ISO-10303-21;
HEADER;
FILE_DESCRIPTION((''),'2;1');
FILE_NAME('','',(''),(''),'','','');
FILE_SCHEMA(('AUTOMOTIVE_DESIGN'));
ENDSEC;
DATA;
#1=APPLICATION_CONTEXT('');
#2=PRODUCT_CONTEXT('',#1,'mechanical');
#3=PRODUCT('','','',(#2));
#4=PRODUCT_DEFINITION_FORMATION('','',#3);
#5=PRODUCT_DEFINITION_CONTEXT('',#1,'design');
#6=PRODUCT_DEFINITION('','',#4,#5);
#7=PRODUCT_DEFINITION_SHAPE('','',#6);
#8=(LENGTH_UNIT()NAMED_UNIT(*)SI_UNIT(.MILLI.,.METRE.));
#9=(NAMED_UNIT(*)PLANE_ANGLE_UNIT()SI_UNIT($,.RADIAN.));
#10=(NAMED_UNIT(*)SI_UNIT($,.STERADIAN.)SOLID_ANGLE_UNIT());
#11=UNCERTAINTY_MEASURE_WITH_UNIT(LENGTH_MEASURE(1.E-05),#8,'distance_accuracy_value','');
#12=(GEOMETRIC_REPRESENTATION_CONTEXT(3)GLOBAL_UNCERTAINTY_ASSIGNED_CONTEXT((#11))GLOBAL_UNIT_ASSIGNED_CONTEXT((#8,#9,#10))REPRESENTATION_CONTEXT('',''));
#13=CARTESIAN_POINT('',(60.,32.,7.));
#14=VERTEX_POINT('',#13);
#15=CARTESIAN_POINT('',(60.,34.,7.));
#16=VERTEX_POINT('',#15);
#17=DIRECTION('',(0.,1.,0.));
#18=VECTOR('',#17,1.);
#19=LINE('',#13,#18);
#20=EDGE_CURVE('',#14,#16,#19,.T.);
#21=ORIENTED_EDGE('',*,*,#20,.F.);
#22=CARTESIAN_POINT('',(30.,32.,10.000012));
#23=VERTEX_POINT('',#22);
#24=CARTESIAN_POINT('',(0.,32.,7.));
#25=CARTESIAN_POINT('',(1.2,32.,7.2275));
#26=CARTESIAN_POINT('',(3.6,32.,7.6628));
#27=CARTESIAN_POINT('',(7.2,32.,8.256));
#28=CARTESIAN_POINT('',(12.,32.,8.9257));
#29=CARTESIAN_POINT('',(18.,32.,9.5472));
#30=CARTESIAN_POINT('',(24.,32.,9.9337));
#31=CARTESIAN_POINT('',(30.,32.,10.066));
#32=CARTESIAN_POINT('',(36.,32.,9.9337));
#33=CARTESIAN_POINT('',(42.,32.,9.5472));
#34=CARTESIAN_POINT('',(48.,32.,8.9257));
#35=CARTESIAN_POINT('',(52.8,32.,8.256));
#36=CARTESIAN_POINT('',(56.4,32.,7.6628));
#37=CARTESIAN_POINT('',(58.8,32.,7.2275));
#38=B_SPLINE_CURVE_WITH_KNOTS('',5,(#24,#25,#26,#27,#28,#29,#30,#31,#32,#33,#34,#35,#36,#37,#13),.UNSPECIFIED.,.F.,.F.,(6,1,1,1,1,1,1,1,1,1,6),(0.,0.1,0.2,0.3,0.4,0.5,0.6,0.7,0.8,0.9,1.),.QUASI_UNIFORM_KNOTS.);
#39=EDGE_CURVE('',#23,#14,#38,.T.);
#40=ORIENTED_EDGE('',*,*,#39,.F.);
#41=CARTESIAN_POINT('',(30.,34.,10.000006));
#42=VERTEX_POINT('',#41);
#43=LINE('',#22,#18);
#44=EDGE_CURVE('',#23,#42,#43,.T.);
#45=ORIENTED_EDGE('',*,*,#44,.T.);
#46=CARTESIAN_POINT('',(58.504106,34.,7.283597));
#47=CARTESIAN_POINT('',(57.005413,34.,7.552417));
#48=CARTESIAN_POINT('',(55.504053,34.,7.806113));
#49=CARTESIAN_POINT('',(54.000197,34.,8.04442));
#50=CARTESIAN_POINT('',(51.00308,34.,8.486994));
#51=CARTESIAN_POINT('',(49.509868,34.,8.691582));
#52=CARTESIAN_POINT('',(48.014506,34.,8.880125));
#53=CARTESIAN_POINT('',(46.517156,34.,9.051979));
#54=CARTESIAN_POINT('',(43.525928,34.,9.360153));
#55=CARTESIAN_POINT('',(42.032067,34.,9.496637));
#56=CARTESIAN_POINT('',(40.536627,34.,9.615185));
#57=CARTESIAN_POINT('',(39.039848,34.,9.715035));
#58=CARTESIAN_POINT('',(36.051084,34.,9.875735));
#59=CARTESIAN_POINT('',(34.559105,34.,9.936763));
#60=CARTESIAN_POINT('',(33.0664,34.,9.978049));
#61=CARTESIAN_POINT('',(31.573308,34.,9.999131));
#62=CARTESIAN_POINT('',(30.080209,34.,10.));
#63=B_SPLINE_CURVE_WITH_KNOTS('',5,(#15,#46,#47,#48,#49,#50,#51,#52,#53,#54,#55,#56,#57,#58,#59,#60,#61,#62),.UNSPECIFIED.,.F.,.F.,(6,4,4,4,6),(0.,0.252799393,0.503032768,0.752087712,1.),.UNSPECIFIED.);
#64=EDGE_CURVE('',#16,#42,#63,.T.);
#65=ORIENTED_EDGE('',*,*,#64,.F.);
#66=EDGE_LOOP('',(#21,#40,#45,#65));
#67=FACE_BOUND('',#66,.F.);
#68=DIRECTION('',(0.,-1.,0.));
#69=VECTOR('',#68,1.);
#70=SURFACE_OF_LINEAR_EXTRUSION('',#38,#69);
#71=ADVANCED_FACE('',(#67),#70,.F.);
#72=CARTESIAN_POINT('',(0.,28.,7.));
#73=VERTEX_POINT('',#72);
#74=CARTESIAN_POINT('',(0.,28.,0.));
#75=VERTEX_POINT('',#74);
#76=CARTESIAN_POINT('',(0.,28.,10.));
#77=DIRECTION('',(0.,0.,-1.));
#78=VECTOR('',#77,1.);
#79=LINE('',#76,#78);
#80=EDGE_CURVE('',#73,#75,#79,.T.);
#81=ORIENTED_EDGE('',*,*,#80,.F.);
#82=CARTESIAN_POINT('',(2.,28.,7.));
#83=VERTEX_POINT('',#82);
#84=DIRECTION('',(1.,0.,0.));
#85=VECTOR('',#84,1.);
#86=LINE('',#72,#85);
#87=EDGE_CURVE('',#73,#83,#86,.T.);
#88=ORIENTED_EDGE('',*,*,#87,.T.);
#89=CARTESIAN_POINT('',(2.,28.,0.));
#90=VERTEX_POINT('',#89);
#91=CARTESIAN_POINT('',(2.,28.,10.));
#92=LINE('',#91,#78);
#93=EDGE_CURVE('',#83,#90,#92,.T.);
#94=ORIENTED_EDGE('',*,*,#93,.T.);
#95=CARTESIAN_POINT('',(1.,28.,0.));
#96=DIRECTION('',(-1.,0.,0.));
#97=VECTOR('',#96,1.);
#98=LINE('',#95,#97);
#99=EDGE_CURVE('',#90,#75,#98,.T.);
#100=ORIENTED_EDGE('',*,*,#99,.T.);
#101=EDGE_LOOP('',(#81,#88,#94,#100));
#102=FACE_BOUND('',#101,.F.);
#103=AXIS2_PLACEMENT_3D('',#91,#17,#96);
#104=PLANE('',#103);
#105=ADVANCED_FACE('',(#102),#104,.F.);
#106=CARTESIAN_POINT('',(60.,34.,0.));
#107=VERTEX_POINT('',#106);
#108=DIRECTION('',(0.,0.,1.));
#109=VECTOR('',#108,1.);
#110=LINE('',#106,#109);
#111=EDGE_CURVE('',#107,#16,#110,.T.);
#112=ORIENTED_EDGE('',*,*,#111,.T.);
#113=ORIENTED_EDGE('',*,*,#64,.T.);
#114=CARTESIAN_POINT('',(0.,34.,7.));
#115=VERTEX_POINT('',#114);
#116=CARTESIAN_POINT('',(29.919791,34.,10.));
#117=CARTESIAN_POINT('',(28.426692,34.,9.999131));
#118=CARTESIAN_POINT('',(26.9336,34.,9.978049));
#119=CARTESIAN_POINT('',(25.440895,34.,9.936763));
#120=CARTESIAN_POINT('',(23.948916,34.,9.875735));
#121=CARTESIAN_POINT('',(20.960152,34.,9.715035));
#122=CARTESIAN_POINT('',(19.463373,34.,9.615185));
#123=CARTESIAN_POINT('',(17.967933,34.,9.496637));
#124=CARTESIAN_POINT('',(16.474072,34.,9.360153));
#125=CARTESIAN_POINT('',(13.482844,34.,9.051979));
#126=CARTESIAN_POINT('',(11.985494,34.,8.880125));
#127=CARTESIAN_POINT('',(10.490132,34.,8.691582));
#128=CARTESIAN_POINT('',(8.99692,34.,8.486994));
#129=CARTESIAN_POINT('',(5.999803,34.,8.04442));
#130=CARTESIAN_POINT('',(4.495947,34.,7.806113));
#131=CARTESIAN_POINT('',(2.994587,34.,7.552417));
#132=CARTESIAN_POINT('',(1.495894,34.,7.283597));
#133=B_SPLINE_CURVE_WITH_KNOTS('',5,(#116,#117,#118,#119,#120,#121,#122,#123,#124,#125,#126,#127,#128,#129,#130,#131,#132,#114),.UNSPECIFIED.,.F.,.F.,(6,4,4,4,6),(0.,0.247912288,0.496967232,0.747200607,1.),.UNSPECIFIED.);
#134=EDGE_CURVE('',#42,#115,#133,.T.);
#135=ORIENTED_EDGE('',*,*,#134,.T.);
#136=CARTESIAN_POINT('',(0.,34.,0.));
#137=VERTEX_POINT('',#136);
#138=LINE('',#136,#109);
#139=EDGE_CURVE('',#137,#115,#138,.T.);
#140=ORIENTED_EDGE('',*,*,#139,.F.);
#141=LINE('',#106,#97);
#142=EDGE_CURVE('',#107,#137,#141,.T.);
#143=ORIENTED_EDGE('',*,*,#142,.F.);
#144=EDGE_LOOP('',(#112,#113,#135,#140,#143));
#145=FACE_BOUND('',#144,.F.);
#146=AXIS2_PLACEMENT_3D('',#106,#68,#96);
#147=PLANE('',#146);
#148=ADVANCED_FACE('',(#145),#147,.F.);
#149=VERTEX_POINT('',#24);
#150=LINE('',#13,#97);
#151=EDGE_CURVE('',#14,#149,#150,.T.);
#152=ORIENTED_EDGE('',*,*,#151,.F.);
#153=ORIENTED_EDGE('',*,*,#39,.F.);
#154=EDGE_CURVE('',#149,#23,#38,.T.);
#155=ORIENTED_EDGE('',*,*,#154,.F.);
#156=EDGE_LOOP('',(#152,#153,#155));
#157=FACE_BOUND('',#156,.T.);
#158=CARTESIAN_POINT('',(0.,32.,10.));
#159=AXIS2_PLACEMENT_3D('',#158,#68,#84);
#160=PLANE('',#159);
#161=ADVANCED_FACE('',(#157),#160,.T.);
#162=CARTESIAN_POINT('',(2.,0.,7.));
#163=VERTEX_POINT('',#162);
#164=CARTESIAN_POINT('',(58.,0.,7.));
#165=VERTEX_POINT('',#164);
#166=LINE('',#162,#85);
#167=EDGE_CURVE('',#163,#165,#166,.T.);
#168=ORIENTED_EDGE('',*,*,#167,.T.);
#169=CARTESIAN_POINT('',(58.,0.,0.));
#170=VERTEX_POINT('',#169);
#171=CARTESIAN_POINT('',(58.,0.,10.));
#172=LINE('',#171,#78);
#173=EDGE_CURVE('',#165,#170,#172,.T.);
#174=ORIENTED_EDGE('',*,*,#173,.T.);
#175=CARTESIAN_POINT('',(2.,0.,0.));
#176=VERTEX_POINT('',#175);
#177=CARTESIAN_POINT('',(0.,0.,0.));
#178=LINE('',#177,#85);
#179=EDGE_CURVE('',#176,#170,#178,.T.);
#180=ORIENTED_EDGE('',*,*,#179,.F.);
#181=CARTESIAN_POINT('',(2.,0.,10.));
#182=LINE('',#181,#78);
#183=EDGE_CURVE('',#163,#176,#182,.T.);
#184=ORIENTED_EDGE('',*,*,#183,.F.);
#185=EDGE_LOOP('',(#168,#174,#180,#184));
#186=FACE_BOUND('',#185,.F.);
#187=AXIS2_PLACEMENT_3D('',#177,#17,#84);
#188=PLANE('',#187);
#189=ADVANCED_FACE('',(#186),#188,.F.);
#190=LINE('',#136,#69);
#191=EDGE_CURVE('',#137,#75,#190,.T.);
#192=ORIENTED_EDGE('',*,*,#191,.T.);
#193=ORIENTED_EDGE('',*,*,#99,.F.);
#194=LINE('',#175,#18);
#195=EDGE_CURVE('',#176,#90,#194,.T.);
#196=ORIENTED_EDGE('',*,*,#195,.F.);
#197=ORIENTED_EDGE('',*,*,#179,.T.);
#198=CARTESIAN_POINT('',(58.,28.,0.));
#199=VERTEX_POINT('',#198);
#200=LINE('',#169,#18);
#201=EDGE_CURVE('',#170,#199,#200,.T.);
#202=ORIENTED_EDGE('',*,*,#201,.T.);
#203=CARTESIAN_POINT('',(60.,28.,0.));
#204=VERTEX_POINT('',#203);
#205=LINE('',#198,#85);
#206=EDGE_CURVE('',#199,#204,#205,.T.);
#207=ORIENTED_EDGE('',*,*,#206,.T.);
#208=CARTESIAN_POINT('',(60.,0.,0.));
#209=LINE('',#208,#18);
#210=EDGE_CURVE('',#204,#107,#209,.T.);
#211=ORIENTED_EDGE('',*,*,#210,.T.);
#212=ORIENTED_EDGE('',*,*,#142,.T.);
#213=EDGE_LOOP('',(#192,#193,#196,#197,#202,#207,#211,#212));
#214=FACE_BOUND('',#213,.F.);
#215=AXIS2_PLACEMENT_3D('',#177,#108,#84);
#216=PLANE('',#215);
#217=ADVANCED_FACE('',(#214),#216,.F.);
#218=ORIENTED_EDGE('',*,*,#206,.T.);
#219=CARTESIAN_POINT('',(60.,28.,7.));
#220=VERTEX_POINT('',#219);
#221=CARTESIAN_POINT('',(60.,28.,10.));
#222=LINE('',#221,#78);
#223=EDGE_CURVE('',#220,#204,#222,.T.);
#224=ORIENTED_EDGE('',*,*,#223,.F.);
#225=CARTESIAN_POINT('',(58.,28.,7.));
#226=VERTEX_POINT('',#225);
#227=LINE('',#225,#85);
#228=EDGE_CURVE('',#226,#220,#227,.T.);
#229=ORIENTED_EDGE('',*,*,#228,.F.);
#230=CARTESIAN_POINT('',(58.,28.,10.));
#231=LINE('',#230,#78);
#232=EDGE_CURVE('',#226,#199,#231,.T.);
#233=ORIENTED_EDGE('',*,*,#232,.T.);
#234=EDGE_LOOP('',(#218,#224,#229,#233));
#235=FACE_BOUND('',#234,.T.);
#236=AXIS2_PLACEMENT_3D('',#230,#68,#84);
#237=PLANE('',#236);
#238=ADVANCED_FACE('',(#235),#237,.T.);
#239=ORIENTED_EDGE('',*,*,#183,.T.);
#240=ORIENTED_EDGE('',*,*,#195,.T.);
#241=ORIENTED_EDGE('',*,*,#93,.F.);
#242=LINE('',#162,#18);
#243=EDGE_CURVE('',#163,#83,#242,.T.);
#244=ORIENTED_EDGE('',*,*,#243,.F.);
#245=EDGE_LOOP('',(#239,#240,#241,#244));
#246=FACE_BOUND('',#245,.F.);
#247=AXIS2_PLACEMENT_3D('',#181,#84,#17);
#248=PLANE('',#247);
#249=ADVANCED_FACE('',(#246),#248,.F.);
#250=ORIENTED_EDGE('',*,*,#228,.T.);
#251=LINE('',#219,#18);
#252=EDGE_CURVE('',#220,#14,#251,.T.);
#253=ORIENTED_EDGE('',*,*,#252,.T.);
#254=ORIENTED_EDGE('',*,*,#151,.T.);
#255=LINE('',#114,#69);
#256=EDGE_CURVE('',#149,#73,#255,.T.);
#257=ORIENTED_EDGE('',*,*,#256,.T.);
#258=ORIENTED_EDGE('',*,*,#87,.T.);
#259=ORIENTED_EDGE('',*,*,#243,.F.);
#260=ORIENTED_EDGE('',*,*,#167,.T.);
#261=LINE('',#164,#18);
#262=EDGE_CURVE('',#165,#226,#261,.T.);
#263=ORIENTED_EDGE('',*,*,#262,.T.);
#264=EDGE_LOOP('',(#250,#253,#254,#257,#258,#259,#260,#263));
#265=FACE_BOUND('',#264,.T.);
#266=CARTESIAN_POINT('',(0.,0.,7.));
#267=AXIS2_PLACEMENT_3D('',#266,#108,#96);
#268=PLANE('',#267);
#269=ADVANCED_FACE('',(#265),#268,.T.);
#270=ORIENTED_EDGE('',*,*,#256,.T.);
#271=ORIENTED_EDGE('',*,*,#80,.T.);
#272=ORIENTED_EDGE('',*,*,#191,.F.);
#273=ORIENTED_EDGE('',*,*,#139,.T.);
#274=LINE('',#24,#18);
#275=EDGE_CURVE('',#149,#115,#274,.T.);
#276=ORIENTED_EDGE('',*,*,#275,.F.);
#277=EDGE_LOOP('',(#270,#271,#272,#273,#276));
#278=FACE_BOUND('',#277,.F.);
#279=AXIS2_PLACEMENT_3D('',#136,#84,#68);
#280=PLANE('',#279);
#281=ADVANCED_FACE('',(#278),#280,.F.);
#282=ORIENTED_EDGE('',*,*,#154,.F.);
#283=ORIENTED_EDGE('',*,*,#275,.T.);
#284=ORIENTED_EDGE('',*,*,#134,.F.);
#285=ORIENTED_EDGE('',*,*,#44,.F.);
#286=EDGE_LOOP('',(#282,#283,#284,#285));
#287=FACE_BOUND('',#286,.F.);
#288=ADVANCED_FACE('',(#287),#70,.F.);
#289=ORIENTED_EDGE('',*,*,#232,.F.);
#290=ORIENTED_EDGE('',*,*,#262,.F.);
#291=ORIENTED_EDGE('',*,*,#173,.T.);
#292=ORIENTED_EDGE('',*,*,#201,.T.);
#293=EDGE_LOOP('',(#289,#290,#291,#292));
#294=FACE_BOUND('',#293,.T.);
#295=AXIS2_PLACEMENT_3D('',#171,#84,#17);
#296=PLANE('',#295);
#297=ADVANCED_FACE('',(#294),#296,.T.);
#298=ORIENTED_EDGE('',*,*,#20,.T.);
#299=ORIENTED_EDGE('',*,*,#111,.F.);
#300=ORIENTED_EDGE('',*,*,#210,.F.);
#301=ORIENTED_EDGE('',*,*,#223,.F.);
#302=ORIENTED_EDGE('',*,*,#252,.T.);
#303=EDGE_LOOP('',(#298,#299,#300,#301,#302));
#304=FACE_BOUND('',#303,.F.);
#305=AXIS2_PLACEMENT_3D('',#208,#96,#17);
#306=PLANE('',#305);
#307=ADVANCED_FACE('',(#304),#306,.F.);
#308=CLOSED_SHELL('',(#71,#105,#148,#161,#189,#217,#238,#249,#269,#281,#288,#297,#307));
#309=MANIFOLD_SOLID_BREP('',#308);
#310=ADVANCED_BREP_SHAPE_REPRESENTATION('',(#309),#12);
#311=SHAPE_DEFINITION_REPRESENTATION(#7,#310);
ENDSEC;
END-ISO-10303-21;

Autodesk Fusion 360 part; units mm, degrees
sketch "スケッチ1" plane through (0, 0, 0) normal (0, 0, 1) x (1, 0, 0)
  line L0 (0, 0) -> (60, 0)
  line L1 (60, 0) -> (60, 34)
  line L2 (60, 34) -> (0, 34)
  line L3 (0, 34) -> (0, 0)
  dimension "d1" = 60
  dimension "d2" = 34
extrude "押し出し1" add sketch "スケッチ1" along normal blind 10
sketch "スケッチ2" plane through (0, 0, 10) normal (0, 0, 1) x (-1, 0, 0)
  line L0 (0, -34) -> (0, 0)
  line L1 (0, 0) -> (-60, 0)
  line L2 (-60, 0) -> (-60, -34)
  line L3 (-60, -34) -> (0, -34)
  line L4 (-60, 0) -> (-58, 0)
  line L5 (-58, 0) -> (-58, -28)
  line L6 (-58, -28) -> (-60, -28)
  line L7 (-60, -28) -> (-60, 0)
  dimension "d5" = 2
  dimension "d6" = 28
extrude "押し出し2" cut sketch "スケッチ2" against normal blind 10 contours L1 L2 L4 L5 L6 L7
sketch "スケッチ3" plane through (0, 0, 10) normal (0, 0, 1) x (-1, 0, 0)
  line L0 (-58, 0) -> (-58, -28)
  line L1 (-58, -28) -> (-60, -28)
  line L2 (-60, -28) -> (-60, -34)
  line L3 (-60, -34) -> (0, -34)
  line L4 (0, -34) -> (0, 0)
  line L5 (0, 0) -> (-58, 0)
  line L6 (0, 0) -> (-2, 0)
  line L7 (-2, 0) -> (-2, -28)
  line L8 (-2, -28) -> (0, -28)
  line L9 (0, -28) -> (0, 0)
  dimension "d9" = 2
  dimension "d10" = 28
extrude "押し出し3" cut sketch "スケッチ3" against normal blind 15 contours L4 L5 L6 L7 L8 L9
sketch "スケッチ4" plane through (0, 0, 0) normal (0, 1, 0) x (1, 0, 0)
sketch "スケッチ5" plane through (0, 0, 0) normal (0, -1, 0) x (1, 0, 0)
  line L0 (2, 10) -> (2, 0)
  line L1 (2, 0) -> (58, 0)
  line L2 (58, 0) -> (58, 10)
  line L3 (58, 10) -> (2, 10)
  line L4 (58, 10) -> (2, 10)
  line L5 (2, 10) -> (2, 7)
  line L6 (2, 7) -> (58, 7)
  line L7 (58, 7) -> (58, 10)
  dimension "d13" = 3
extrude "押し出し4" cut sketch "スケッチ5" against normal blind 32 contours L0 L2 L3 L4 L5 L6 L7
sketch "スケッチ6" plane through (0, 0, 10) normal (0, 0, 1) x (-1, 0, 0)
  line L0 (-2, -28) -> (-2, -32)
  line L1 (-2, -32) -> (-58, -32)
  line L2 (-58, -32) -> (-58, -28)
  line L3 (-58, -28) -> (-60, -28)
  line L4 (-60, -28) -> (-60, -34)
  line L5 (-60, -34) -> (0, -34)
  line L6 (0, -34) -> (0, -28)
  line L7 (0, -28) -> (-2, -28)
  line L8 (-2, -28) -> (0, -28)
  line L9 (0, -28) -> (0, -32)
  line L10 (0, -32) -> (-2, -32)
  line L11 (-2, -32) -> (-2, -28)
extrude "押し出し5" cut sketch "スケッチ6" against normal blind 3 contours L0 L6 L7 L8 L9 L10 L11
sketch "スケッチ7" plane through (0, 0, 10) normal (0, 0, 1) x (-1, 0, 0)
  line L0 (0, -32) -> (-58, -32)
  line L1 (-58, -32) -> (-58, -28)
  line L2 (-58, -28) -> (-60, -28)
  line L3 (-60, -28) -> (-60, -34)
  line L4 (-60, -34) -> (0, -34)
  line L5 (0, -34) -> (0, -32)
  line L6 (-58, -32) -> (-60, -32)
  line L7 (-60, -32) -> (-60, -28)
  line L8 (-60, -28) -> (-58, -28)
  line L9 (-58, -28) -> (-58, -32)
extrude "押し出し6" cut sketch "スケッチ7" against normal blind 3 contours L1 L2 L3 L6 L7 L8 L9
sketch "スケッチ8" plane through (0, 0, 10) normal (0, 0, 1) x (-1, 0, 0)
  line L0 (-60, -32) -> (-60, -34)
  line L1 (-60, -34) -> (0, -34)
  line L2 (0, -34) -> (0, -32)
sketch "スケッチ9" plane through (0, 0, 10) normal (0, 0, 1) x (1, 0, 0)
sketch "スケッチ10" plane through (0, 32, 0) normal (0, -1, 0) x (1, 0, 0)
  line L0 (60, 10) -> (0, 10)
  line L1 (0, 10) -> (0, 7)
  line L2 (0, 7) -> (60, 7)
  line L3 (60, 7) -> (60, 10)
  spline S0 degree 5 poles (0, 7) (1.2, 7.2275) (3.6, 7.6628) (7.2, 8.256) (12, 8.9257) (18, 9.5472) (24, 9.9337) (30, 10.066) (36, 9.9337) (42, 9.5472) (48, 8.9257) (52.8, 8.256) (56.4, 7.6628) (58.8, 7.2275) (60, 7) knots 0 0 0 0 0 0 0.1 0.2 0.3 0.4 0.5 0.6 0.7 0.8 0.9 1 1 1 1 1 1
  point P0 (30, 10)
extrude "押し出し7" cut sketch "スケッチ10" against normal blind 16 contours L0 L3 S0 | L0 L1 S0
sketch "スケッチ11" plane through (0, 0, 0) normal (0, 0, -1) x (1, 0, 0)
  line L0 (2, -28) -> (0, -28)
  line L1 (0, -28) -> (0, -34)
  line L2 (0, -34) -> (60, -34)
  line L3 (60, -34) -> (60, -28)
  line L4 (60, -28) -> (58, -28)
  line L5 (58, -28) -> (58, 0)
  line L6 (58, 0) -> (2, 0)
  line L7 (2, 0) -> (2, -28)
